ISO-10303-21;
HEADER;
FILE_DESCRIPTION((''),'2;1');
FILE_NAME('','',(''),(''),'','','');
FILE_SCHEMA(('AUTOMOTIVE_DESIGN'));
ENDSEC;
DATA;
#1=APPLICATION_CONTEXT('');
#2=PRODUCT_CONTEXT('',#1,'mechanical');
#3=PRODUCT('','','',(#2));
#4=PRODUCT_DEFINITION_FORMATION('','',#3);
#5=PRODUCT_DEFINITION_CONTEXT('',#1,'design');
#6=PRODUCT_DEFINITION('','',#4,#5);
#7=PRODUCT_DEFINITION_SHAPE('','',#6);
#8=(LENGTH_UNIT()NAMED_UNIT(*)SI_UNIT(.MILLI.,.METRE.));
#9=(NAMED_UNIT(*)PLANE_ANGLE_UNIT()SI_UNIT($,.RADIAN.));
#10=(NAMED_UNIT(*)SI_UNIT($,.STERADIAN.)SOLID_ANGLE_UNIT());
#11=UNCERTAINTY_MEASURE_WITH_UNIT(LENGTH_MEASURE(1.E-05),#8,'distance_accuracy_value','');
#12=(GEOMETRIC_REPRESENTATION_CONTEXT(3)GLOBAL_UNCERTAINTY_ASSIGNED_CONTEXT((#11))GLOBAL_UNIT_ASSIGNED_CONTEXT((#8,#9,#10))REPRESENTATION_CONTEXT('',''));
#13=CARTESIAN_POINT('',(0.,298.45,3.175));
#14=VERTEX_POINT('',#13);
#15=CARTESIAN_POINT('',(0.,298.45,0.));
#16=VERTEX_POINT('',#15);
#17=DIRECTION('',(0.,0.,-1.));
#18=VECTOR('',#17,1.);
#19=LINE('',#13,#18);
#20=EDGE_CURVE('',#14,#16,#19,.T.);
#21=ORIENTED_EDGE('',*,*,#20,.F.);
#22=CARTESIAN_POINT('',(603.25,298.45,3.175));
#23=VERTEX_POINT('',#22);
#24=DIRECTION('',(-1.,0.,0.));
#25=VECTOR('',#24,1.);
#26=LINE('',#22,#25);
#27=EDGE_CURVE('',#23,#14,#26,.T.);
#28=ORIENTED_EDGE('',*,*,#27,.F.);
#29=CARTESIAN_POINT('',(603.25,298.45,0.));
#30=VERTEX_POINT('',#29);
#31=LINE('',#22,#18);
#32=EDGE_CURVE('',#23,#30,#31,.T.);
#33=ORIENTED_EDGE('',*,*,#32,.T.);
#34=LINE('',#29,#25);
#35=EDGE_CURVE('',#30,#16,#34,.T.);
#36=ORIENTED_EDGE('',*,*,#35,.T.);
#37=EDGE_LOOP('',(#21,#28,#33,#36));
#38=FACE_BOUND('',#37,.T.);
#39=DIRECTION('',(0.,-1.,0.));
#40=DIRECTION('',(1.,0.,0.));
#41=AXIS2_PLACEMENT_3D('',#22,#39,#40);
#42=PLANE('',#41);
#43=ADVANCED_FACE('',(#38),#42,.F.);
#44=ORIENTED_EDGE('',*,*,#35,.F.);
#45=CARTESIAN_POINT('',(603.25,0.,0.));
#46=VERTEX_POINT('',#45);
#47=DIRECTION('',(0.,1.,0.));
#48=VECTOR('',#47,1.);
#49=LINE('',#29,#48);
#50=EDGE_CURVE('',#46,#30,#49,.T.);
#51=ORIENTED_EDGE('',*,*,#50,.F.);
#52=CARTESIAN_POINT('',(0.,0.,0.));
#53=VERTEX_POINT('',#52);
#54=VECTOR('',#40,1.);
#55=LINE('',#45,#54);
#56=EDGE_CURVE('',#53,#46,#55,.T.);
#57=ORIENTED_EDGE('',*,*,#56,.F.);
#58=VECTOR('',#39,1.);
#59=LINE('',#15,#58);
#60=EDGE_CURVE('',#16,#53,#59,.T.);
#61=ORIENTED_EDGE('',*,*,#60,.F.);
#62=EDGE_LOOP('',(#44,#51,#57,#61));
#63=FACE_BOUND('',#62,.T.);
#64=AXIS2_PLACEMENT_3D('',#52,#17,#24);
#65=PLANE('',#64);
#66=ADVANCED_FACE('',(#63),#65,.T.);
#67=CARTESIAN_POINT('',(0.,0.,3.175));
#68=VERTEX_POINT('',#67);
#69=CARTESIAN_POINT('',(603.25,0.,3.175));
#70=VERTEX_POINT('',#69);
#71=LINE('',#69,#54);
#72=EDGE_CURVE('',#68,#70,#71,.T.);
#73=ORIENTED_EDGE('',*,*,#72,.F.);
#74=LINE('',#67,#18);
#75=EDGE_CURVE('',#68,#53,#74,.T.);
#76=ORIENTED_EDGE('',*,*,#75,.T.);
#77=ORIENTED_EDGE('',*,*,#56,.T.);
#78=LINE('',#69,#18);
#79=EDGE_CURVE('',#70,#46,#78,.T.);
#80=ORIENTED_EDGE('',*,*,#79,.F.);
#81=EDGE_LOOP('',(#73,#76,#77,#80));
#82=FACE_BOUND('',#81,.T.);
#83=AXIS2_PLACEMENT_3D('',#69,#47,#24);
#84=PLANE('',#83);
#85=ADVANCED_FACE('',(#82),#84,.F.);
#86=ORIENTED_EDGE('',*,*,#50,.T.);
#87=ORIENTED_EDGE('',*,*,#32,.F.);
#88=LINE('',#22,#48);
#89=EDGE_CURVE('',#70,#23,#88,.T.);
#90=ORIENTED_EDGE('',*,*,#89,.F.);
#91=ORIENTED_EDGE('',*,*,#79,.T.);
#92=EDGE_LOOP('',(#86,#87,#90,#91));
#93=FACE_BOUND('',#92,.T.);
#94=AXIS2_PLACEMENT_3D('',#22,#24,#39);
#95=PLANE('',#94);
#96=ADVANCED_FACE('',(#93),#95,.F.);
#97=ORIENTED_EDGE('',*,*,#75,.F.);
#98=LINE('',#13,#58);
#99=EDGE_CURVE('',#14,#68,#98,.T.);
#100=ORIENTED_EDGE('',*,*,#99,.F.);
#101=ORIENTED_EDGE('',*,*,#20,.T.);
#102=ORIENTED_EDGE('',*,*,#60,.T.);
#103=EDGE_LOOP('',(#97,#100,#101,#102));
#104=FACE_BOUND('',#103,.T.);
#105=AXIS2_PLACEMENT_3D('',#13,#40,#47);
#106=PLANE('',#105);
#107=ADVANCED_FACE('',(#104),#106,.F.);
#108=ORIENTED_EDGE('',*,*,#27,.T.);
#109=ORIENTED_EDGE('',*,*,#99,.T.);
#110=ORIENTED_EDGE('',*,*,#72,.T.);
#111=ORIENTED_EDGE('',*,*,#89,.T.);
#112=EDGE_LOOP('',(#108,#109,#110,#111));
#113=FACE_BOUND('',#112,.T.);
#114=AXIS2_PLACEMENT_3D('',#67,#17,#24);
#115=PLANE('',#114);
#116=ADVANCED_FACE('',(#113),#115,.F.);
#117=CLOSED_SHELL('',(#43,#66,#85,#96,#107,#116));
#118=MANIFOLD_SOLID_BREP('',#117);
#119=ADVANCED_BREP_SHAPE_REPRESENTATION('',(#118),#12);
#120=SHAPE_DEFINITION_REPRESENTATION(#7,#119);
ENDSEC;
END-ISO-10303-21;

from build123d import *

# Parameters (mm, degrees)
SKETCH1_W           = 603.25
SKETCH1_H           = 298.45
BOSS_EXTRUDE1_DEPTH = 3.175


with BuildPart() as part:
    # Sketch1 → Boss-Extrude1 (new body)
    with BuildSketch(Plane.XY):
        with Locations((301.625, 149.225)):
            Rectangle(SKETCH1_W, SKETCH1_H)
    extrude(amount=BOSS_EXTRUDE1_DEPTH)


solid = part.part
